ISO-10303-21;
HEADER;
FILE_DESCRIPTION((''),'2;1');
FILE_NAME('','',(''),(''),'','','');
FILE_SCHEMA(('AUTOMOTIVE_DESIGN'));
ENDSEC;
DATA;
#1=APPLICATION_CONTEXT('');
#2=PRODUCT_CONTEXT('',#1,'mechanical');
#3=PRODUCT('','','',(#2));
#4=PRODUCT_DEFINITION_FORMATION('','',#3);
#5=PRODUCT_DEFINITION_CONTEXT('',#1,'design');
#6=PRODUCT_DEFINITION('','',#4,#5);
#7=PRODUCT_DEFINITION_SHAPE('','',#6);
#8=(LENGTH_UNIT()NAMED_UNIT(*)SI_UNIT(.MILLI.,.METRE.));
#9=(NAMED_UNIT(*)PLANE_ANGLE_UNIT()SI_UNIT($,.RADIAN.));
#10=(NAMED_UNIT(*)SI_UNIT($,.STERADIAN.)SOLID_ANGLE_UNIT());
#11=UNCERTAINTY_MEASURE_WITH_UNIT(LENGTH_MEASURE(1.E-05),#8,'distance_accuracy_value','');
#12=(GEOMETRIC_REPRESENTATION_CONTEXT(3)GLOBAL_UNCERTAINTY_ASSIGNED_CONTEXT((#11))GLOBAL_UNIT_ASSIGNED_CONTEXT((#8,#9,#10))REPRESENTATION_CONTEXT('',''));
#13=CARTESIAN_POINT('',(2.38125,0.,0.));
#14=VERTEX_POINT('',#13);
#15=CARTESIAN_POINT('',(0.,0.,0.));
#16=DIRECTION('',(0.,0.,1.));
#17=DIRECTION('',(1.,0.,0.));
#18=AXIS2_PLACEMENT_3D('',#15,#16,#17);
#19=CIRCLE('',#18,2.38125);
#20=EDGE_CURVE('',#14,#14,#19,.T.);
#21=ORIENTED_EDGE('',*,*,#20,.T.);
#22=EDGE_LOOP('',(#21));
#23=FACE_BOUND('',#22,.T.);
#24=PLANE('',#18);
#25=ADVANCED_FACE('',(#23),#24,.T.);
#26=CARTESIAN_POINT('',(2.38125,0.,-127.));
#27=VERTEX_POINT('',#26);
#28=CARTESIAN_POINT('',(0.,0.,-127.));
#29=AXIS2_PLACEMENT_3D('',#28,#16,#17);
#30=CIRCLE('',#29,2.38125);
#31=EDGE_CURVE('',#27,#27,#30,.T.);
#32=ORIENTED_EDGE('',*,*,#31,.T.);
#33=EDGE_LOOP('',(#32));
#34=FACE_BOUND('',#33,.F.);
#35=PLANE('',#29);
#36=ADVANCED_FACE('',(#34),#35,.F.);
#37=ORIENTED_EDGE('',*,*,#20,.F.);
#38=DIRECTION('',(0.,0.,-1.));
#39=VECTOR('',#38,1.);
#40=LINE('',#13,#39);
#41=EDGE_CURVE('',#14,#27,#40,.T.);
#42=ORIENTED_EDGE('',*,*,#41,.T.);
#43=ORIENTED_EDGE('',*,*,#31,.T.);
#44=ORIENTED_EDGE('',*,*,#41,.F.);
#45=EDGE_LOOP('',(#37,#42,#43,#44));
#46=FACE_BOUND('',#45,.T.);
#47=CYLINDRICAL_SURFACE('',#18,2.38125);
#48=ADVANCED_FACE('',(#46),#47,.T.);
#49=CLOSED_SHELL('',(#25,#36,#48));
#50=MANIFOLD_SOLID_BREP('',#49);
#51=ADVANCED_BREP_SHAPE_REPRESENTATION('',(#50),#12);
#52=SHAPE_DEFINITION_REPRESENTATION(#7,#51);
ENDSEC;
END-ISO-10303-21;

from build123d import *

# Parameters (mm, degrees)
SKETCH2_R           = 2.38125
BOSS_EXTRUDE1_DEPTH = 127


with BuildPart() as part:
    # Sketch2 → Boss-Extrude1 (new body)
    with BuildSketch(Plane.XY):
        Circle(SKETCH2_R)
    extrude(amount=-BOSS_EXTRUDE1_DEPTH)


solid = part.part
